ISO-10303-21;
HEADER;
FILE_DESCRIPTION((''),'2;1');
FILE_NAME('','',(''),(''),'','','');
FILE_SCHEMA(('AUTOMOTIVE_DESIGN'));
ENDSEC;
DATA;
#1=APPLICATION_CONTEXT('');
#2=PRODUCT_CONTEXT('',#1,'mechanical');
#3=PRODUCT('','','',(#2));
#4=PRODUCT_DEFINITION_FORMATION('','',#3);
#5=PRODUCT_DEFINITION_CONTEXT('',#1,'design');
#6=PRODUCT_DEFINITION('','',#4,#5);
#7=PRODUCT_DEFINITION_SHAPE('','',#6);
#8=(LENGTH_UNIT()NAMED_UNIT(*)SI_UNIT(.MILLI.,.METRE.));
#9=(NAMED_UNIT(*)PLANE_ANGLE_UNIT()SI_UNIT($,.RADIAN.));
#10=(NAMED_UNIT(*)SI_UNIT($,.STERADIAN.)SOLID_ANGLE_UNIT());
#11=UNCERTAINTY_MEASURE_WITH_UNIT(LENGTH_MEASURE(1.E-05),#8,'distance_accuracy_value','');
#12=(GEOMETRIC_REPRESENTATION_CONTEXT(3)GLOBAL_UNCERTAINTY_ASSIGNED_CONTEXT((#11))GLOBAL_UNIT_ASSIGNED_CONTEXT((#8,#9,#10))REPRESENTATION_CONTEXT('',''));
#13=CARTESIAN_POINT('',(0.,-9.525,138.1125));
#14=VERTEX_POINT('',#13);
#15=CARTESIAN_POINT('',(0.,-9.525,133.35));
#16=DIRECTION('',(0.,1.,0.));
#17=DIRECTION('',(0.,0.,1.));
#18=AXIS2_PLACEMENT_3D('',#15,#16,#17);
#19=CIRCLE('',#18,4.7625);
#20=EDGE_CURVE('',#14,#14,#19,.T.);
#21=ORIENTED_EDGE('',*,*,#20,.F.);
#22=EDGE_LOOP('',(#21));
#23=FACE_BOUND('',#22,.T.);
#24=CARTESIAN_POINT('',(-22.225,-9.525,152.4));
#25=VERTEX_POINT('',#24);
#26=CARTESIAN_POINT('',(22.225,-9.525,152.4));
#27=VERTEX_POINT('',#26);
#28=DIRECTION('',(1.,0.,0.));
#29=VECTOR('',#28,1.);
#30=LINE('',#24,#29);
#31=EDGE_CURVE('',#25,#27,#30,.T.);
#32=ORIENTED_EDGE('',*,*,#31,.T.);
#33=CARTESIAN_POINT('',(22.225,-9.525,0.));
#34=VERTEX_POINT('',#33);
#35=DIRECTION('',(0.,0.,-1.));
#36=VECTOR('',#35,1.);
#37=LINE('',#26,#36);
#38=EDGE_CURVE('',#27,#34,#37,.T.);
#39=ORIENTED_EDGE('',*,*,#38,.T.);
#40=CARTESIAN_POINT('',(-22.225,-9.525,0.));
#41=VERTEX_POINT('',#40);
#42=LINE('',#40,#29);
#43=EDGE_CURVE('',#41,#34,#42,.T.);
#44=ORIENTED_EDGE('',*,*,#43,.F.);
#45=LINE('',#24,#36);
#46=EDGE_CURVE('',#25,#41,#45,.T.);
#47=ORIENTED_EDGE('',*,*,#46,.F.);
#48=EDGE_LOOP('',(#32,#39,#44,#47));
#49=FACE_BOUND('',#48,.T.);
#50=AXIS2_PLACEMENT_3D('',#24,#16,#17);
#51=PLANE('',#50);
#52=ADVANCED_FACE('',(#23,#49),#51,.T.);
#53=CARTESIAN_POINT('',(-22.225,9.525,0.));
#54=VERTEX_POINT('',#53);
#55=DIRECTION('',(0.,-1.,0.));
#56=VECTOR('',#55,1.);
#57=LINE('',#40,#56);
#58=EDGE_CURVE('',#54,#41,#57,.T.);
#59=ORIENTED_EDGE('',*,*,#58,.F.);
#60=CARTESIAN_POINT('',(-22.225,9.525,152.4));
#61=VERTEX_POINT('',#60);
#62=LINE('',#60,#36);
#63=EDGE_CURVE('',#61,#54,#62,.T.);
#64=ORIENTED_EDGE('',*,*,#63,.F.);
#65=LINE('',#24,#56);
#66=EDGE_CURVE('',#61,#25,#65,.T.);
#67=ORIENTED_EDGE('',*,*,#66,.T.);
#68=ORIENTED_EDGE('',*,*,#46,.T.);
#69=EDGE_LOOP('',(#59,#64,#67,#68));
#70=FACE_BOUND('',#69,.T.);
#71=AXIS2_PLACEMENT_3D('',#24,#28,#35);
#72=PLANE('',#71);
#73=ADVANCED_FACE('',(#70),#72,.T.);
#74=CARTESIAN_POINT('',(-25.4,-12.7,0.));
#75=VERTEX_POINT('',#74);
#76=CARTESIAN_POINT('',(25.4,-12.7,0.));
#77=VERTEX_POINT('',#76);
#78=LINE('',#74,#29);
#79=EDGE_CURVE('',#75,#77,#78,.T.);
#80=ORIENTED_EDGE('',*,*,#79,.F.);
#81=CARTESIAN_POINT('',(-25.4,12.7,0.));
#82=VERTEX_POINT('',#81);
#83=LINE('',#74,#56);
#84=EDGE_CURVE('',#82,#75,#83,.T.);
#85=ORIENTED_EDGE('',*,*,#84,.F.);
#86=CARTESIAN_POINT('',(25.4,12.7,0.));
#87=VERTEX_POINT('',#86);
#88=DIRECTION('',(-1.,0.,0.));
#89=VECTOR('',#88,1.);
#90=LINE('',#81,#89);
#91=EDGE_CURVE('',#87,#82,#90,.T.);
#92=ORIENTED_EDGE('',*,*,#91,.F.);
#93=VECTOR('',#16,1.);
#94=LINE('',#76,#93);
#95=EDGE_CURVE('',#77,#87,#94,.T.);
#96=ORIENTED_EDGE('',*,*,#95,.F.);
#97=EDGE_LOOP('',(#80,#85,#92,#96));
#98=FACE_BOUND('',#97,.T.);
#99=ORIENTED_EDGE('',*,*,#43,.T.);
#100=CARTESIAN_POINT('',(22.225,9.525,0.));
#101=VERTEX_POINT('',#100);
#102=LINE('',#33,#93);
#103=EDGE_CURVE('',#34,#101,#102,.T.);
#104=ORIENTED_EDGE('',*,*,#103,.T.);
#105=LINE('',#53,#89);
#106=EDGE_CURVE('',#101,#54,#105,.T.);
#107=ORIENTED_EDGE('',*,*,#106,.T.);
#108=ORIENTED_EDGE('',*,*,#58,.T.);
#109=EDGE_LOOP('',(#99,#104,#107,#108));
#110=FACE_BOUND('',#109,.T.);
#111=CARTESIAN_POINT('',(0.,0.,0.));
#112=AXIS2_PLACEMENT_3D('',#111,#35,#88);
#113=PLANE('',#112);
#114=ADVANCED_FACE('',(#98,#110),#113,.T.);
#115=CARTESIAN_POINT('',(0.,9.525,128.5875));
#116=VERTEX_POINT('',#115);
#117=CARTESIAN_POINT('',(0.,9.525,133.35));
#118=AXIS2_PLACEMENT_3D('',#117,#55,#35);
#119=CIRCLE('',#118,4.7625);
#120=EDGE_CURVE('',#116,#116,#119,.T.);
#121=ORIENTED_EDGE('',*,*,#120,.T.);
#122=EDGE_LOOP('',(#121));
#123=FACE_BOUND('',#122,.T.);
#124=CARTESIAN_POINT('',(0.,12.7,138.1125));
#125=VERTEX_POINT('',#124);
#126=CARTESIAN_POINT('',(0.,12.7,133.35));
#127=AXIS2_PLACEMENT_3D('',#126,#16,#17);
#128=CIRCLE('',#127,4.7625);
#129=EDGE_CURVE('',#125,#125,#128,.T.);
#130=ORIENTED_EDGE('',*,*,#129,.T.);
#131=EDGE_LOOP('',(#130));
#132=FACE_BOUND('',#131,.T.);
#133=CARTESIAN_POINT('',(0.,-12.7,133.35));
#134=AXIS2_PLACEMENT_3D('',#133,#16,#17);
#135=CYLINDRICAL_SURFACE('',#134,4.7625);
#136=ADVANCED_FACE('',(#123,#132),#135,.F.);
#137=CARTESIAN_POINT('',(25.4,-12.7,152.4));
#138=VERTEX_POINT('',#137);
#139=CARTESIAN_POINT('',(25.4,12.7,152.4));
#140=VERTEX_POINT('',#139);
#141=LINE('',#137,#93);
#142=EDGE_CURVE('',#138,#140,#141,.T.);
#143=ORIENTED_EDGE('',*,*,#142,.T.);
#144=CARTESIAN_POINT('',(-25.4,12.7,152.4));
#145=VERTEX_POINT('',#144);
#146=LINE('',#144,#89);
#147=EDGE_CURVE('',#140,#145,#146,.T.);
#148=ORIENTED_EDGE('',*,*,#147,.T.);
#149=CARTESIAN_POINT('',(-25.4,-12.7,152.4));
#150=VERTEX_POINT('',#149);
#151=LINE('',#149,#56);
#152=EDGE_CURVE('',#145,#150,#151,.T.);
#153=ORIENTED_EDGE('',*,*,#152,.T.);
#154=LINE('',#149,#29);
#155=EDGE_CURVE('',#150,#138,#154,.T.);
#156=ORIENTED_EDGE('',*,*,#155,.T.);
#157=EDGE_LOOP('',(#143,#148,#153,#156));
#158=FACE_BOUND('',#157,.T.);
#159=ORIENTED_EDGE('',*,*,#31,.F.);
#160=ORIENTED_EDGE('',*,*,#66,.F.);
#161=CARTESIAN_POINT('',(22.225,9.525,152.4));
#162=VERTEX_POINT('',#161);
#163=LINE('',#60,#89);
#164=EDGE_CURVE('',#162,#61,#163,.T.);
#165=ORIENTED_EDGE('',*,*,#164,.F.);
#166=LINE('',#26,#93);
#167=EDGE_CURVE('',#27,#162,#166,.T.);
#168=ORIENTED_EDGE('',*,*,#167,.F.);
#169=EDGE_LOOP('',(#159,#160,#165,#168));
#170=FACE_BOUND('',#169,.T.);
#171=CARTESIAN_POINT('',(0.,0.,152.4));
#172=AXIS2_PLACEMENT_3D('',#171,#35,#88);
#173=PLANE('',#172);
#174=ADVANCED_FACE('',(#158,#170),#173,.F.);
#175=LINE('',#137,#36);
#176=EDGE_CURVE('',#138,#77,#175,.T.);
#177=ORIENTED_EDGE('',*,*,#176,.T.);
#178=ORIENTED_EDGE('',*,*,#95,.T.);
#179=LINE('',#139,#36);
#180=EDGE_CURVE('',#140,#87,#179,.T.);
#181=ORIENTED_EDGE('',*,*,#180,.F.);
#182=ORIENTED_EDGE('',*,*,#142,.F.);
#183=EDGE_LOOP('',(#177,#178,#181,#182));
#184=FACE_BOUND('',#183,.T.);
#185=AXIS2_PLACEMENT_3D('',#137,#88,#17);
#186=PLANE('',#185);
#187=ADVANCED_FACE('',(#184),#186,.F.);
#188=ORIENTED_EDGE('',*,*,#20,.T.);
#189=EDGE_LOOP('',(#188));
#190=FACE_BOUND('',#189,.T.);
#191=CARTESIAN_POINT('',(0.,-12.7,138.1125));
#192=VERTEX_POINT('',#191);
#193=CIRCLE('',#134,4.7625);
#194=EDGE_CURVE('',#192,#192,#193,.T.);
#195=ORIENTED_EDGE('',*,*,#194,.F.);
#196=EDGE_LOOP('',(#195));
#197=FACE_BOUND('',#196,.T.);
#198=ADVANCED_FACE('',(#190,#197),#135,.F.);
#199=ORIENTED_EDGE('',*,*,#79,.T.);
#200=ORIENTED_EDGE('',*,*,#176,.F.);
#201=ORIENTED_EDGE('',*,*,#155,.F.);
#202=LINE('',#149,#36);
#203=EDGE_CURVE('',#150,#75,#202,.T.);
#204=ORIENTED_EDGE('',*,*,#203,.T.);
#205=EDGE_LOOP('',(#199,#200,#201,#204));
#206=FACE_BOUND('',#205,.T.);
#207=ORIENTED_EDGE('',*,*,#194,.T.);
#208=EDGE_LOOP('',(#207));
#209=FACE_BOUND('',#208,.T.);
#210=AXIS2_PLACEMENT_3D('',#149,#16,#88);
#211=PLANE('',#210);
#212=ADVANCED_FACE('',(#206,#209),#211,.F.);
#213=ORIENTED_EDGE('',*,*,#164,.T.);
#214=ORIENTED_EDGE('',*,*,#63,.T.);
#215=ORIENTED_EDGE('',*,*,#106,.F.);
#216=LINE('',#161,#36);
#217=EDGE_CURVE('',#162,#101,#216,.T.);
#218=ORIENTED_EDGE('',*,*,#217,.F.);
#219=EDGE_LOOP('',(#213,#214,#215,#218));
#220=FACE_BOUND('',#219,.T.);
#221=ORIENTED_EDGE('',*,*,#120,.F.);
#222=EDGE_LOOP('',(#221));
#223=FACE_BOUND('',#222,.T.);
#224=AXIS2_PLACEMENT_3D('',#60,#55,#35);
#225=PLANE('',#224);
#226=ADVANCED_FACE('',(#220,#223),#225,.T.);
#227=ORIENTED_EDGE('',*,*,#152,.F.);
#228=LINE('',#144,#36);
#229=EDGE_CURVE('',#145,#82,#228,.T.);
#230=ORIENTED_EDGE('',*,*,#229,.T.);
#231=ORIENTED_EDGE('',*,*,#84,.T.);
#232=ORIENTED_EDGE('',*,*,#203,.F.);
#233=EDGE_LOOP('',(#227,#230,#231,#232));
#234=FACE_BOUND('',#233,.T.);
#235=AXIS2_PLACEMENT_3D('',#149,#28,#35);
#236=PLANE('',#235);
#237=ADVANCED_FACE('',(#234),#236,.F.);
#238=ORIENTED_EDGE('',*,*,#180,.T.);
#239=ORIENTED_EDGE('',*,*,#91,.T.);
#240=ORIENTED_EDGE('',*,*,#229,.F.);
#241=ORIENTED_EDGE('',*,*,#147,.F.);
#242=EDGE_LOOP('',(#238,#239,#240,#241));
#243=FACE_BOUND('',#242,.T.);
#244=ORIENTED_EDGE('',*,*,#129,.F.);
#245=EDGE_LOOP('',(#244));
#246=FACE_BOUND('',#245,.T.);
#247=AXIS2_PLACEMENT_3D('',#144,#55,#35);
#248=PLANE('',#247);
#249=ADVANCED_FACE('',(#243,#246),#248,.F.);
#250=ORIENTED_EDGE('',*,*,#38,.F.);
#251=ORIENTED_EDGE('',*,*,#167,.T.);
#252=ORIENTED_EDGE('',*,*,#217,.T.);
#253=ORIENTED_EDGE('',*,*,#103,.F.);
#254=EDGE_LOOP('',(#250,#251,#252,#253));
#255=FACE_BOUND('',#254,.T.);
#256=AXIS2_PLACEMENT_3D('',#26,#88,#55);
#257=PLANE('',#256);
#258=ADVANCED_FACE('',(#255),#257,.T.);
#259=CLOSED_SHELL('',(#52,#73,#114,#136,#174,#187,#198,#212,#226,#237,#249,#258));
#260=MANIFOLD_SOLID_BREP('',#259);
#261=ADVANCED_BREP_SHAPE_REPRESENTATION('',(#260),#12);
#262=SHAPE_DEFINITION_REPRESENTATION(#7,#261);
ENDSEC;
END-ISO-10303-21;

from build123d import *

# Parameters (mm, degrees)
SKETCH1_W           = 50.8
SKETCH1_H           = 25.4
SKETCH1_W_2         = 44.45
SKETCH1_H_2         = 19.05
BOSS_EXTRUDE1_DEPTH = 152.4
SKETCH2_R           = 4.7625
CUT_EXTRUDE1_DEPTH  = 157.576115675


with BuildPart() as part:
    # Sketch1 → Boss-Extrude1 (new body)
    with BuildSketch(Plane.XY):
        Rectangle(SKETCH1_W, SKETCH1_H)
        Rectangle(SKETCH1_W_2, SKETCH1_H_2, mode=Mode.SUBTRACT)
    extrude(amount=BOSS_EXTRUDE1_DEPTH)

    # Sketch2 → Cut-Extrude1 (cut, through all)
    with BuildSketch(Plane(origin=(0, 12.7, 0), x_dir=(1, 0, 0), z_dir=(0, 1, 0))):
        with Locations(Location((0, -133.35, 0), (0, 0, 270))):
            Circle(SKETCH2_R)
    extrude(amount=-CUT_EXTRUDE1_DEPTH, mode=Mode.SUBTRACT)


solid = part.part
